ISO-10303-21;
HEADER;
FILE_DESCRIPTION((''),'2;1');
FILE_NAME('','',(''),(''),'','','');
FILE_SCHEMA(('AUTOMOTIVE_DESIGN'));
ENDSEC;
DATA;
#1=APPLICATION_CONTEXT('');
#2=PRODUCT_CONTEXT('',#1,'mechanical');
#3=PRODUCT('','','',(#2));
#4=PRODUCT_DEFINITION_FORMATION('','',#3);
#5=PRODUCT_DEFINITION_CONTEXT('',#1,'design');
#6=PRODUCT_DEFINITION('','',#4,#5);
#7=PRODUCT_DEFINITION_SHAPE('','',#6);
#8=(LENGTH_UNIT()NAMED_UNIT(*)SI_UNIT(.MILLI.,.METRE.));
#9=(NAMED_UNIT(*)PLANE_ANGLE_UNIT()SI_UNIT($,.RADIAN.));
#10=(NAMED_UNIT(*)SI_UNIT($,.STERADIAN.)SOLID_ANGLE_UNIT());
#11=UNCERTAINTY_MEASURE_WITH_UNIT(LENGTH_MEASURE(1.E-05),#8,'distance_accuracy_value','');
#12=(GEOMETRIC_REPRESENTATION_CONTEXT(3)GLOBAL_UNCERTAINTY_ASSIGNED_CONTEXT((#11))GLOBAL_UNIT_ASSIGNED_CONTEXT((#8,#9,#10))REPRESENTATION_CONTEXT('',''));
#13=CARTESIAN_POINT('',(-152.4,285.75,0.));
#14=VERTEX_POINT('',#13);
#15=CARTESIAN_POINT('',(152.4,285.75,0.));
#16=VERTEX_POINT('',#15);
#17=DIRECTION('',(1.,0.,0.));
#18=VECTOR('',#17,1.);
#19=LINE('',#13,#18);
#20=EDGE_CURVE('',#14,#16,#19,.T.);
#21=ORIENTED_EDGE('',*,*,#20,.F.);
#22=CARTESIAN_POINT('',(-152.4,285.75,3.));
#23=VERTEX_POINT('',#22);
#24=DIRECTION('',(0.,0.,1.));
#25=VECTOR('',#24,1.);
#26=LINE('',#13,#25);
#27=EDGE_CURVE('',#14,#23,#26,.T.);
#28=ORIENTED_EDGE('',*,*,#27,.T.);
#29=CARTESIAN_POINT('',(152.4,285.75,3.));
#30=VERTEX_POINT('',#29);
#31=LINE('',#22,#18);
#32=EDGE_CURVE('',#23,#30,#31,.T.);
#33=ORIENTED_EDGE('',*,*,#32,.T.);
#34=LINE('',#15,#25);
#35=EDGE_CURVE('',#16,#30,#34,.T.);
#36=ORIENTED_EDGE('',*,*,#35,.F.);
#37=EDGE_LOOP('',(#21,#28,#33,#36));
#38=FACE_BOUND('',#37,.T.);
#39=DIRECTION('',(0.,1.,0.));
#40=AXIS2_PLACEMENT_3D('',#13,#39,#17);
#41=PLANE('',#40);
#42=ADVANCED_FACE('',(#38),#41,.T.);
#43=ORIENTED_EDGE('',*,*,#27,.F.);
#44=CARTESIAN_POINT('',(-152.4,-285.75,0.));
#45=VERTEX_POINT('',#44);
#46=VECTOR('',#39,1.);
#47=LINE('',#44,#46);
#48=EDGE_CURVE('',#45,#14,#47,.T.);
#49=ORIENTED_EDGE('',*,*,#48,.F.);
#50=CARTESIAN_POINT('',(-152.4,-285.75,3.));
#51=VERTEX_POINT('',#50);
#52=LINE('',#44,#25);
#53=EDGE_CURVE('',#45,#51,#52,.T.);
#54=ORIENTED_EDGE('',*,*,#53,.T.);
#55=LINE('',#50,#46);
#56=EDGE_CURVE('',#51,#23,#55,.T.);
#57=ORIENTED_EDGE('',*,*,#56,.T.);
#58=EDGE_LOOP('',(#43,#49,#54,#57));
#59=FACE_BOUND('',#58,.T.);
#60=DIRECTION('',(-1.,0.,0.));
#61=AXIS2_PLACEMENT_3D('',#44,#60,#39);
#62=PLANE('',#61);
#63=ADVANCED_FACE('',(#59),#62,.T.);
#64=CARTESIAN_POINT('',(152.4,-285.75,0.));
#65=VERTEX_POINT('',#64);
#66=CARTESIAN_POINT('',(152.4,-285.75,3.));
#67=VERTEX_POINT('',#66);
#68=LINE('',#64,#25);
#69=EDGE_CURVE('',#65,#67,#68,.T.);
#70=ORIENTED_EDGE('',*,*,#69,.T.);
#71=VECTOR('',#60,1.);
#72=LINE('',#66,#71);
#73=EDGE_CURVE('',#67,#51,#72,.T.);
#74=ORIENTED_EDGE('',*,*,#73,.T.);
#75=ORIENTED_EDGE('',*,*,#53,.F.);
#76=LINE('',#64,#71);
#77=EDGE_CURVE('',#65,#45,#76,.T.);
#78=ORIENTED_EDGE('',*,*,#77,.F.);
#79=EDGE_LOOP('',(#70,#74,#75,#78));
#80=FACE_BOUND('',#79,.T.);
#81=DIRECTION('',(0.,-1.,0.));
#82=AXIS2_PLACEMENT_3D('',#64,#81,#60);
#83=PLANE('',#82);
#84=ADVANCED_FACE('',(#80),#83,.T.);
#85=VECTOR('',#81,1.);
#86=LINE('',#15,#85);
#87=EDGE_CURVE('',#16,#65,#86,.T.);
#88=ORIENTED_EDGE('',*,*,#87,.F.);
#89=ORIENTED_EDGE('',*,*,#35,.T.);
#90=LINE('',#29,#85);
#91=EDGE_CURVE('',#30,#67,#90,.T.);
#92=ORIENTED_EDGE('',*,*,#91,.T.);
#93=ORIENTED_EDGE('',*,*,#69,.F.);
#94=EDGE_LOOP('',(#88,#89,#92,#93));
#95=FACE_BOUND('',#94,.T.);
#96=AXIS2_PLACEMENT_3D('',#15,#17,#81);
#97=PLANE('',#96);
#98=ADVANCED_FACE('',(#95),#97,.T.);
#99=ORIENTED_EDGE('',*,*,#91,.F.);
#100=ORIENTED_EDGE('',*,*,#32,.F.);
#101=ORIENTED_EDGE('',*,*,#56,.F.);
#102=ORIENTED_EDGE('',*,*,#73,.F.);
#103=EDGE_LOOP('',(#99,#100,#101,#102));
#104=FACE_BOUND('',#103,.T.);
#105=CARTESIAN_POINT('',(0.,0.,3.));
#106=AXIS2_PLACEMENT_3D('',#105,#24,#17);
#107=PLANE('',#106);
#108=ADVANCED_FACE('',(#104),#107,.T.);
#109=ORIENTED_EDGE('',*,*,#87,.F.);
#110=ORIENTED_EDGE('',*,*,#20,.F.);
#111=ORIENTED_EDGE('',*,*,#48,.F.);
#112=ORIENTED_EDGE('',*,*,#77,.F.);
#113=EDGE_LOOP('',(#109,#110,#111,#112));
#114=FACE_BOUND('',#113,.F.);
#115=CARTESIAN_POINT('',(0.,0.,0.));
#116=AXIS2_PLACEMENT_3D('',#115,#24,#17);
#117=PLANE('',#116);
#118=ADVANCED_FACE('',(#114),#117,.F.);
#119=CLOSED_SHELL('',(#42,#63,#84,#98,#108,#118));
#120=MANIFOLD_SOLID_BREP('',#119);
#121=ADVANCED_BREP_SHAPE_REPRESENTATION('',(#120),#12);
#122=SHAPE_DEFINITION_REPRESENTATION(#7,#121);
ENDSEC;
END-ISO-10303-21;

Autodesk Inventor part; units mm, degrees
ref_plane "YZ Plane" through (0, 0, 0) normal (1, 0, 0) x (0, 1, 0)
ref_plane "XZ Plane" through (0, 0, 0) normal (0, 1, 0) x (-1, 0, 0)
ref_plane "XY Plane" through (0, 0, 0) normal (0, 0, 1) x (1, 0, 0)
sketch "Sketch1" plane through (0, 0, 0) normal (0, 0, 1) x (1, 0, 0)
  line L0 (-152.4, 285.75) -> (152.4, 285.75)
  line L1 (152.4, 285.75) -> (152.4, -285.75)
  line L2 (152.4, -285.75) -> (-152.4, -285.75)
  line L3 (-152.4, -285.75) -> (-152.4, 285.75)
  point P0 (0, 0)
  point P1 (152.4, 0)
  point P2 (0, 285.75)
  dimension "d0" = 304.8
  dimension "d1" = 571.5
extrude "Extrusion1" add sketch "Sketch1" along normal blind 3
properties part number "Door"
